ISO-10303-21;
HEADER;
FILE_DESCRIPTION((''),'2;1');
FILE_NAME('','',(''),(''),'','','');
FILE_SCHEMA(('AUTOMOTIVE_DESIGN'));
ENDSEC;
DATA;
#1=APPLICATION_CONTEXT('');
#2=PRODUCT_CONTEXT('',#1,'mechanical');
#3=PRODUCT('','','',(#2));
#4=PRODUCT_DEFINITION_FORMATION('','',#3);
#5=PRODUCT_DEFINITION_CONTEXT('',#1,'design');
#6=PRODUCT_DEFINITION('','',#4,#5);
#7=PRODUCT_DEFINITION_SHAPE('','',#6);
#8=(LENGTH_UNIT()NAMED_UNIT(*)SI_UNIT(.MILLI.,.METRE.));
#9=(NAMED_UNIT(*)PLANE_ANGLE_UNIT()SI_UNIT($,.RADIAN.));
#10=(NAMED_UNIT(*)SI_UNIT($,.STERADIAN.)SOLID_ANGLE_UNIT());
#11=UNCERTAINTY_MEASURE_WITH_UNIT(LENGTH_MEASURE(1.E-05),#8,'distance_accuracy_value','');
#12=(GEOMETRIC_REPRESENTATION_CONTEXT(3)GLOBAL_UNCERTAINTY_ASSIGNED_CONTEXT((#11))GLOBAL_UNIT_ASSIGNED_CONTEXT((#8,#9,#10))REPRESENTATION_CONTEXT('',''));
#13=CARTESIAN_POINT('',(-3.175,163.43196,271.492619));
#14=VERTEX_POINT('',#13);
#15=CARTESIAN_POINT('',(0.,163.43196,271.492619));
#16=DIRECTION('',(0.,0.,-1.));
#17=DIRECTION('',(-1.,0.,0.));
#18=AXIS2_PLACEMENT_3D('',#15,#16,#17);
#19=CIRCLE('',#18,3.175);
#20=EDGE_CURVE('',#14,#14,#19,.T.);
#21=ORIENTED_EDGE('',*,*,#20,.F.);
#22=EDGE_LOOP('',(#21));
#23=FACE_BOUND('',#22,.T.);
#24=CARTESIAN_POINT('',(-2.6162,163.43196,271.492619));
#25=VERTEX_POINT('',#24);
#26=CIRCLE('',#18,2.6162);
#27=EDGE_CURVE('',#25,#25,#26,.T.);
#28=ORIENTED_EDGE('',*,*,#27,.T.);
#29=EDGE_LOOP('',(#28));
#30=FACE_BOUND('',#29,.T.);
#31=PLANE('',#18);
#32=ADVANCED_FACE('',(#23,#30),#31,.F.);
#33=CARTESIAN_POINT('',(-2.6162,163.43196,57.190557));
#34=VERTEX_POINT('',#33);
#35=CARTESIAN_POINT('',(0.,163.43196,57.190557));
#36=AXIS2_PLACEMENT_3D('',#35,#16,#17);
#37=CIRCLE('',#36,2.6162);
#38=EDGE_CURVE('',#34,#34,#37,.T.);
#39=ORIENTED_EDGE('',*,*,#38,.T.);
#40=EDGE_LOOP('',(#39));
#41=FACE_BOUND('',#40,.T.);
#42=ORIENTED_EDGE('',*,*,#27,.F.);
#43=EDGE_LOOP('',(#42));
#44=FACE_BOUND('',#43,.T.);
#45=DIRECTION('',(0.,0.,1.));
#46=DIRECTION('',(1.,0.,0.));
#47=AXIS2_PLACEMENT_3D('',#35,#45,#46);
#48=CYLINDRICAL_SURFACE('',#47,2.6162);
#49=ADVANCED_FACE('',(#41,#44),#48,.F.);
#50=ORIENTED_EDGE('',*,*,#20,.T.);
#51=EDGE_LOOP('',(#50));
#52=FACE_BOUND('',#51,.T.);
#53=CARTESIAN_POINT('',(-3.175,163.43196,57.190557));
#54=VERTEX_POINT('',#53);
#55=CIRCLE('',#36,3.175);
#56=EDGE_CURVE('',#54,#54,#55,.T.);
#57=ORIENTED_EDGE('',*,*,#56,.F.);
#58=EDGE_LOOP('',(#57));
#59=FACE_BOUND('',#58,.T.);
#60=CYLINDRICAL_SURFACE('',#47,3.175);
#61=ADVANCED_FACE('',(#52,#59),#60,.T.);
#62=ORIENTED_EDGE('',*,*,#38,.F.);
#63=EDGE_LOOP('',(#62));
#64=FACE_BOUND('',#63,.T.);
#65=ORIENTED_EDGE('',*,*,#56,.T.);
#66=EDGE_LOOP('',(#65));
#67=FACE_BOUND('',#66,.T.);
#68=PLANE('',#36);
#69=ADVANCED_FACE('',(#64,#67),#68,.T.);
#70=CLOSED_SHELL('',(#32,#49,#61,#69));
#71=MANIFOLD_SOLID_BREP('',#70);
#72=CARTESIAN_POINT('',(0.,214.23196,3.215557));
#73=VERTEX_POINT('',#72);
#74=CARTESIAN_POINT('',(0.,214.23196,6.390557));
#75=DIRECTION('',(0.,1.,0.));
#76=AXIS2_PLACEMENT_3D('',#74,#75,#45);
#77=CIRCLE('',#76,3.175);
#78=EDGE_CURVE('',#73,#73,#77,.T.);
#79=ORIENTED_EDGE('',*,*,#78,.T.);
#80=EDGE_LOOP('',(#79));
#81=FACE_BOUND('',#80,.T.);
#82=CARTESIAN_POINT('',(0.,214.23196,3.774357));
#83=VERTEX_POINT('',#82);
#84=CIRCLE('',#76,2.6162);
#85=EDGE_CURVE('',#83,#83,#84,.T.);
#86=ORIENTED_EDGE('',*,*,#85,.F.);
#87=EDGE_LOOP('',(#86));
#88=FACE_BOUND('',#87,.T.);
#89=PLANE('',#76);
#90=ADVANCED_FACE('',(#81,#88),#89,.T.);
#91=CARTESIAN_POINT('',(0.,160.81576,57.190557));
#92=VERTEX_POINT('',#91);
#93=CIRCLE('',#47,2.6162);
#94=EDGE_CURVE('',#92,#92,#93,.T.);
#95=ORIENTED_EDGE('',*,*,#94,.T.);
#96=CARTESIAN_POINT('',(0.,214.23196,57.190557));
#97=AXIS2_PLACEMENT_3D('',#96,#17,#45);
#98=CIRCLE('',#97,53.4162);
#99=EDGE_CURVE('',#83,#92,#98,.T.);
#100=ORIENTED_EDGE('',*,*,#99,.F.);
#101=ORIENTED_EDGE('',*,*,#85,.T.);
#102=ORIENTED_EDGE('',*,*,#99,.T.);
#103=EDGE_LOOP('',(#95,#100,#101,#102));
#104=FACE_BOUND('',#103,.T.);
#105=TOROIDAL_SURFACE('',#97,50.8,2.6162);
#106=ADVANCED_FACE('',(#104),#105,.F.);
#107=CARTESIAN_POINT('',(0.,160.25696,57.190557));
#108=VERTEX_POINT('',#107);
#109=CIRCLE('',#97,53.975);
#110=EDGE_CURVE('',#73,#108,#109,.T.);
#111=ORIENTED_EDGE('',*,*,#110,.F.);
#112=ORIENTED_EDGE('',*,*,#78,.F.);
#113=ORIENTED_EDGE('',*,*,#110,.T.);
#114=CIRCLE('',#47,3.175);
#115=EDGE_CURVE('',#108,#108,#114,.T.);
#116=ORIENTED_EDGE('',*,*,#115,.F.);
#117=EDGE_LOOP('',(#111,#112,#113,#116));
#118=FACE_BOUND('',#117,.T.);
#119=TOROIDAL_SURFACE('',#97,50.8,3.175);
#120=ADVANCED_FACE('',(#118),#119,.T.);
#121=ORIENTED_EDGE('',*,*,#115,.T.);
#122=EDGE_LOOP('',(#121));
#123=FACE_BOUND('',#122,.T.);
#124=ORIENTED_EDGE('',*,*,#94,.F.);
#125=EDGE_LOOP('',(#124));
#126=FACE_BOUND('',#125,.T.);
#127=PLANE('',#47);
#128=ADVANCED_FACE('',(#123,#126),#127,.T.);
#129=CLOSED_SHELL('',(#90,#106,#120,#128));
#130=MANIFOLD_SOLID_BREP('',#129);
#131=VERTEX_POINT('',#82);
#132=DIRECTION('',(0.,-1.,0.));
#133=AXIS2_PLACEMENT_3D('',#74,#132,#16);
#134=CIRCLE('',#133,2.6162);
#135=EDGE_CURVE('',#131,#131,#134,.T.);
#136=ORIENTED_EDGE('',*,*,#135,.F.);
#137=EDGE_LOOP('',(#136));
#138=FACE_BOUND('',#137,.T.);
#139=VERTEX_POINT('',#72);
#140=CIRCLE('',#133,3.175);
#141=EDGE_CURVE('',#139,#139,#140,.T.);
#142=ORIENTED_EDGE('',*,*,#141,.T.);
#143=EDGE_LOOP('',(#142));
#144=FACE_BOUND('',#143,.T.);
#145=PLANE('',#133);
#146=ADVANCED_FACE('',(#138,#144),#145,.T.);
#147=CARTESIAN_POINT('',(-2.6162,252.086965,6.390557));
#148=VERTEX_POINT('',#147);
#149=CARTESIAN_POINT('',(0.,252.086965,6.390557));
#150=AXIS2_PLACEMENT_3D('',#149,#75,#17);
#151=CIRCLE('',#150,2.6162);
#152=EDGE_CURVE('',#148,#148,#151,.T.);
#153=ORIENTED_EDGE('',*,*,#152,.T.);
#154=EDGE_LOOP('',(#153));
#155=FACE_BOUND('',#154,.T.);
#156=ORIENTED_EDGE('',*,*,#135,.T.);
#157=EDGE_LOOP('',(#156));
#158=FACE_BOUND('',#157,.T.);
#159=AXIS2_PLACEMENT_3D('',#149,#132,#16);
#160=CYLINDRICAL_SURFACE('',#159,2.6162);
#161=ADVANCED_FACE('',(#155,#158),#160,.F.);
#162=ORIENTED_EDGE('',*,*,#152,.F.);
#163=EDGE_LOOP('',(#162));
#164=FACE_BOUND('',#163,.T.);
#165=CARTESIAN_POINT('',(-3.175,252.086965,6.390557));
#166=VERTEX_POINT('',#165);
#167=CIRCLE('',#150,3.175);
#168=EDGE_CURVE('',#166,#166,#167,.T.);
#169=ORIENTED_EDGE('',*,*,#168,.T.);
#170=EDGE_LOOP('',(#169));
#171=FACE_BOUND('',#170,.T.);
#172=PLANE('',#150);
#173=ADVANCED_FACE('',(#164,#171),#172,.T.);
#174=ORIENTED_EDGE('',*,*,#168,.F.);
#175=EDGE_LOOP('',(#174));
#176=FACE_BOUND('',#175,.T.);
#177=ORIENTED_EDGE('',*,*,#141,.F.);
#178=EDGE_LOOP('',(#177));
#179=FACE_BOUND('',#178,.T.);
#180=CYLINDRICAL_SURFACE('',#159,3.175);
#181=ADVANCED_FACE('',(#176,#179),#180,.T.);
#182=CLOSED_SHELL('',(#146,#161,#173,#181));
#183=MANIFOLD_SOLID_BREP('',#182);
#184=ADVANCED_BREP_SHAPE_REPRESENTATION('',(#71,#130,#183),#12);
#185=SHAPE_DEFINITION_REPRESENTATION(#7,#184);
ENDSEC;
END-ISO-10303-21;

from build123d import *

# Parameters (mm, degrees)
SKETCH11_R                = 3.175
SKETCH11_R_2              = 2.6162
PIPE_0_5_SCH_40_1_DEPTH   = 214.302062458
SKETCH11_ON_SEGMENT_2_R   = 3.175
SKETCH11_ON_SEGMENT_2_R_2 = 2.6162
PIPE_0_5_SCH_40_1_2_ANGLE = 90
SKETCH11_ON_SEGMENT_3_R   = 3.175
SKETCH11_ON_SEGMENT_3_R_2 = 2.6162
PIPE_0_5_SCH_40_1_3_DEPTH = 37.855004884


with BuildPart() as part:
    # Sketch11 → Pipe 0.5 SCH 40(1) (new body)
    with BuildSketch(Plane(origin=(0, 163.431959968, 271.492619127), x_dir=(0, 1, 0), z_dir=(0, 0, -1))):
        Circle(SKETCH11_R)
        Circle(SKETCH11_R_2, mode=Mode.SUBTRACT)
    extrude(amount=PIPE_0_5_SCH_40_1_DEPTH)


with BuildPart() as body_2:
    # Sketch11 on segment 2 (carried to the start of arc 2) → Pipe 0.5 SCH 40_1 2 (revolve)
    with BuildSketch(Plane(origin=(0, 163.431959968, 57.19055667), x_dir=(0, 1, 0), z_dir=(0, 0, -1))):
        Circle(SKETCH11_ON_SEGMENT_2_R)
        Circle(SKETCH11_ON_SEGMENT_2_R_2, mode=Mode.SUBTRACT)
    revolve(axis=Axis((0, 214.231959968, 57.19055667), (1, 0, 0)), revolution_arc=PIPE_0_5_SCH_40_1_2_ANGLE)


with BuildPart() as body_3:
    # Sketch11 on segment 3 (carried to segment 3) → Pipe 0.5 SCH 40_1 3 (new body)
    with BuildSketch(Plane(origin=(0, 214.231959968, 6.39055667), x_dir=(0, 0, 1), z_dir=(0, 1, 0))):
        Circle(SKETCH11_ON_SEGMENT_3_R)
        Circle(SKETCH11_ON_SEGMENT_3_R_2, mode=Mode.SUBTRACT)
    extrude(amount=PIPE_0_5_SCH_40_1_3_DEPTH)


solid = Compound([part.part, body_2.part, body_3.part])
